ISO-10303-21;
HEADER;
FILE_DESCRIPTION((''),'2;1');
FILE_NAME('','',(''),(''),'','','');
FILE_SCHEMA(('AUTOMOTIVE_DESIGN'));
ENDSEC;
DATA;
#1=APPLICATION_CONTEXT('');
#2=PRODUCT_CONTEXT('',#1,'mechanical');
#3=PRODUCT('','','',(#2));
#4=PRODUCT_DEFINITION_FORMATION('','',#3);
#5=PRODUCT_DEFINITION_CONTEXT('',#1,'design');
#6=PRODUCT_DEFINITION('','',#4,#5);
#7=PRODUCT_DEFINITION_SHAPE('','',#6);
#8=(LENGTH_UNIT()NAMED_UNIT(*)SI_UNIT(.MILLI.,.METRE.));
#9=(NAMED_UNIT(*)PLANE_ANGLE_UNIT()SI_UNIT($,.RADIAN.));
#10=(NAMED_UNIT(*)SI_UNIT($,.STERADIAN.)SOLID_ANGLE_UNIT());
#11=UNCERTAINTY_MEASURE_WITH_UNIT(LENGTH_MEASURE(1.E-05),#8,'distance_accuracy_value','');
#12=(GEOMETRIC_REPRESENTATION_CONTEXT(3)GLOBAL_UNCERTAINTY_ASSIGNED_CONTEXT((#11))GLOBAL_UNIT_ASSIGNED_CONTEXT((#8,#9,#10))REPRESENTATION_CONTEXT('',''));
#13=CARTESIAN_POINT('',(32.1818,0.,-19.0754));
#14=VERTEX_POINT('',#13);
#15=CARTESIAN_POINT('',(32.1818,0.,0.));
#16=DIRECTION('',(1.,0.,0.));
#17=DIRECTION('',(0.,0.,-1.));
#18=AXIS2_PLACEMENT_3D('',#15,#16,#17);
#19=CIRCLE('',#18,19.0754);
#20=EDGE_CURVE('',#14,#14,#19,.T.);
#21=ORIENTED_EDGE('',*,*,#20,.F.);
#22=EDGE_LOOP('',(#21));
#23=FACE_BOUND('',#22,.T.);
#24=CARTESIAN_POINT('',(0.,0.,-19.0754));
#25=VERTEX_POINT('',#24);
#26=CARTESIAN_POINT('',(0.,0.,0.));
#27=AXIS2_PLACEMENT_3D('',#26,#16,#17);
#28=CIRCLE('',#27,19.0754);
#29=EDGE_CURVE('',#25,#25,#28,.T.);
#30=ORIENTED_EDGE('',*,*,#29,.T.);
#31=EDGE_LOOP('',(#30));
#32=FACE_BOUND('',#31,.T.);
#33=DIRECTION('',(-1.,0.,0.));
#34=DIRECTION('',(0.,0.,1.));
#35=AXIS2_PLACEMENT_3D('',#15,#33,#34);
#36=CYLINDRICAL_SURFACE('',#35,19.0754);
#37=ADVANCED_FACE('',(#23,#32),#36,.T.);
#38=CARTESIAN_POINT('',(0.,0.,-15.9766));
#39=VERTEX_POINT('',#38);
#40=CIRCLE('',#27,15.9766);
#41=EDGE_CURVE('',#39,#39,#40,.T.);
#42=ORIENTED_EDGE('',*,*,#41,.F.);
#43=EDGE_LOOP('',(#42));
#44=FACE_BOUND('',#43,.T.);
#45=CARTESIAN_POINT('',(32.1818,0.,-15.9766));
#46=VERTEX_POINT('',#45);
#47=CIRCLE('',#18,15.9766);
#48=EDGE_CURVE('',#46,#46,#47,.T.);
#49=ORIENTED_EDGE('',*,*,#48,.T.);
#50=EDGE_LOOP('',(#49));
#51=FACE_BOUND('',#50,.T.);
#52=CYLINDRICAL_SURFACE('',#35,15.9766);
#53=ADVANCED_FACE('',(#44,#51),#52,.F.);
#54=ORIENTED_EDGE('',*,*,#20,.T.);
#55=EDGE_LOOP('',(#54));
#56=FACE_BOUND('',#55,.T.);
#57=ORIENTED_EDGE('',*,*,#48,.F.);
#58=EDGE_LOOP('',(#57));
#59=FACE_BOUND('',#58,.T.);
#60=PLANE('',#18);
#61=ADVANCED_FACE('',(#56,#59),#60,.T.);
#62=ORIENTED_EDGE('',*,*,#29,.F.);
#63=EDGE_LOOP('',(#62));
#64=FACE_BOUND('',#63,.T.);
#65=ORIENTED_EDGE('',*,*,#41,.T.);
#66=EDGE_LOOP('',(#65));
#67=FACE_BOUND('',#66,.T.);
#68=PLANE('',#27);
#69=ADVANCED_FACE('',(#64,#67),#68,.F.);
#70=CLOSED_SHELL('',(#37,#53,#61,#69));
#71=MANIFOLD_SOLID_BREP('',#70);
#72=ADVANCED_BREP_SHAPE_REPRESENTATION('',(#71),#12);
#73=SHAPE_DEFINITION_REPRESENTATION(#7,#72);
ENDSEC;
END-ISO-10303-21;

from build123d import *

# Parameters (mm, degrees)
SKETCH1_R      = 19.0754
SKETCH1_R_2    = 15.9766
EXTRUDE1_DEPTH = 32.1818


with BuildPart() as part:
    # Sketch1 → Extrude1 (new body)
    with BuildSketch(Plane(origin=(0, 0, 0), x_dir=(0, 0, -1), z_dir=(1, 0, 0))):
        Circle(SKETCH1_R)
        Circle(SKETCH1_R_2, mode=Mode.SUBTRACT)
    extrude(amount=EXTRUDE1_DEPTH)


solid = part.part
